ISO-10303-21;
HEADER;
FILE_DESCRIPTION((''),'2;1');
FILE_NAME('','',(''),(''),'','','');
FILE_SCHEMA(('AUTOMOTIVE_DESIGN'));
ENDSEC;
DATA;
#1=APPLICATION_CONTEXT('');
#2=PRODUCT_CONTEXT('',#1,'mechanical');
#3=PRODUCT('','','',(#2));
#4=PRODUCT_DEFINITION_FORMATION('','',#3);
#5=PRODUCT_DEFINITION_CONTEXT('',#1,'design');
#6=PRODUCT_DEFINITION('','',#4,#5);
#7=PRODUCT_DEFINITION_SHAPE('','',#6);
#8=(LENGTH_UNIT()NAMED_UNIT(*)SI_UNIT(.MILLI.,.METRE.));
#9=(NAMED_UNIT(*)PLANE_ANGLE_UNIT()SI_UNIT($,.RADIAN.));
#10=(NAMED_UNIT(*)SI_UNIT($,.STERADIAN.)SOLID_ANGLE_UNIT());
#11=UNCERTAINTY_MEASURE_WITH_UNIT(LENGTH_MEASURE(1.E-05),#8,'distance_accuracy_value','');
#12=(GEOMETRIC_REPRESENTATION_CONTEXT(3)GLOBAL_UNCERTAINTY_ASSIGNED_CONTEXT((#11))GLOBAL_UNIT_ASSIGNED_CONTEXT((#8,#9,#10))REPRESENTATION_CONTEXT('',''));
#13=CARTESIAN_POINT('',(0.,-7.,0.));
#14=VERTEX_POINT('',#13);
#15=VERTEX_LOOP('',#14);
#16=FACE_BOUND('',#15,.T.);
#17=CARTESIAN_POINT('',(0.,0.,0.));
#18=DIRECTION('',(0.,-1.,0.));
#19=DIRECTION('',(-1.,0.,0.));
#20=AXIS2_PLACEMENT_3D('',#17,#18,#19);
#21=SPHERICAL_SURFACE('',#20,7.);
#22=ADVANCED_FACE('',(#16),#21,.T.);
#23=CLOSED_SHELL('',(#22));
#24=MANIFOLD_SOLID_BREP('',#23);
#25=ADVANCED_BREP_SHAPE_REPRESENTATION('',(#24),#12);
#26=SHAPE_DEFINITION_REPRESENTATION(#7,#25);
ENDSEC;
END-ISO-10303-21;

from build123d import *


with BuildPart() as part:
    # Эскиз1 → Повернуть1 (revolve)
    with BuildSketch(Plane.XY):
        with BuildLine():
            Line((0, 7), (0, -7))
            ThreePointArc((0, -7), (-7, 0), (0, 7))
        make_face()
    revolve(axis=Axis((0, 0, 0), (0, 1, 0)))


solid = part.part
